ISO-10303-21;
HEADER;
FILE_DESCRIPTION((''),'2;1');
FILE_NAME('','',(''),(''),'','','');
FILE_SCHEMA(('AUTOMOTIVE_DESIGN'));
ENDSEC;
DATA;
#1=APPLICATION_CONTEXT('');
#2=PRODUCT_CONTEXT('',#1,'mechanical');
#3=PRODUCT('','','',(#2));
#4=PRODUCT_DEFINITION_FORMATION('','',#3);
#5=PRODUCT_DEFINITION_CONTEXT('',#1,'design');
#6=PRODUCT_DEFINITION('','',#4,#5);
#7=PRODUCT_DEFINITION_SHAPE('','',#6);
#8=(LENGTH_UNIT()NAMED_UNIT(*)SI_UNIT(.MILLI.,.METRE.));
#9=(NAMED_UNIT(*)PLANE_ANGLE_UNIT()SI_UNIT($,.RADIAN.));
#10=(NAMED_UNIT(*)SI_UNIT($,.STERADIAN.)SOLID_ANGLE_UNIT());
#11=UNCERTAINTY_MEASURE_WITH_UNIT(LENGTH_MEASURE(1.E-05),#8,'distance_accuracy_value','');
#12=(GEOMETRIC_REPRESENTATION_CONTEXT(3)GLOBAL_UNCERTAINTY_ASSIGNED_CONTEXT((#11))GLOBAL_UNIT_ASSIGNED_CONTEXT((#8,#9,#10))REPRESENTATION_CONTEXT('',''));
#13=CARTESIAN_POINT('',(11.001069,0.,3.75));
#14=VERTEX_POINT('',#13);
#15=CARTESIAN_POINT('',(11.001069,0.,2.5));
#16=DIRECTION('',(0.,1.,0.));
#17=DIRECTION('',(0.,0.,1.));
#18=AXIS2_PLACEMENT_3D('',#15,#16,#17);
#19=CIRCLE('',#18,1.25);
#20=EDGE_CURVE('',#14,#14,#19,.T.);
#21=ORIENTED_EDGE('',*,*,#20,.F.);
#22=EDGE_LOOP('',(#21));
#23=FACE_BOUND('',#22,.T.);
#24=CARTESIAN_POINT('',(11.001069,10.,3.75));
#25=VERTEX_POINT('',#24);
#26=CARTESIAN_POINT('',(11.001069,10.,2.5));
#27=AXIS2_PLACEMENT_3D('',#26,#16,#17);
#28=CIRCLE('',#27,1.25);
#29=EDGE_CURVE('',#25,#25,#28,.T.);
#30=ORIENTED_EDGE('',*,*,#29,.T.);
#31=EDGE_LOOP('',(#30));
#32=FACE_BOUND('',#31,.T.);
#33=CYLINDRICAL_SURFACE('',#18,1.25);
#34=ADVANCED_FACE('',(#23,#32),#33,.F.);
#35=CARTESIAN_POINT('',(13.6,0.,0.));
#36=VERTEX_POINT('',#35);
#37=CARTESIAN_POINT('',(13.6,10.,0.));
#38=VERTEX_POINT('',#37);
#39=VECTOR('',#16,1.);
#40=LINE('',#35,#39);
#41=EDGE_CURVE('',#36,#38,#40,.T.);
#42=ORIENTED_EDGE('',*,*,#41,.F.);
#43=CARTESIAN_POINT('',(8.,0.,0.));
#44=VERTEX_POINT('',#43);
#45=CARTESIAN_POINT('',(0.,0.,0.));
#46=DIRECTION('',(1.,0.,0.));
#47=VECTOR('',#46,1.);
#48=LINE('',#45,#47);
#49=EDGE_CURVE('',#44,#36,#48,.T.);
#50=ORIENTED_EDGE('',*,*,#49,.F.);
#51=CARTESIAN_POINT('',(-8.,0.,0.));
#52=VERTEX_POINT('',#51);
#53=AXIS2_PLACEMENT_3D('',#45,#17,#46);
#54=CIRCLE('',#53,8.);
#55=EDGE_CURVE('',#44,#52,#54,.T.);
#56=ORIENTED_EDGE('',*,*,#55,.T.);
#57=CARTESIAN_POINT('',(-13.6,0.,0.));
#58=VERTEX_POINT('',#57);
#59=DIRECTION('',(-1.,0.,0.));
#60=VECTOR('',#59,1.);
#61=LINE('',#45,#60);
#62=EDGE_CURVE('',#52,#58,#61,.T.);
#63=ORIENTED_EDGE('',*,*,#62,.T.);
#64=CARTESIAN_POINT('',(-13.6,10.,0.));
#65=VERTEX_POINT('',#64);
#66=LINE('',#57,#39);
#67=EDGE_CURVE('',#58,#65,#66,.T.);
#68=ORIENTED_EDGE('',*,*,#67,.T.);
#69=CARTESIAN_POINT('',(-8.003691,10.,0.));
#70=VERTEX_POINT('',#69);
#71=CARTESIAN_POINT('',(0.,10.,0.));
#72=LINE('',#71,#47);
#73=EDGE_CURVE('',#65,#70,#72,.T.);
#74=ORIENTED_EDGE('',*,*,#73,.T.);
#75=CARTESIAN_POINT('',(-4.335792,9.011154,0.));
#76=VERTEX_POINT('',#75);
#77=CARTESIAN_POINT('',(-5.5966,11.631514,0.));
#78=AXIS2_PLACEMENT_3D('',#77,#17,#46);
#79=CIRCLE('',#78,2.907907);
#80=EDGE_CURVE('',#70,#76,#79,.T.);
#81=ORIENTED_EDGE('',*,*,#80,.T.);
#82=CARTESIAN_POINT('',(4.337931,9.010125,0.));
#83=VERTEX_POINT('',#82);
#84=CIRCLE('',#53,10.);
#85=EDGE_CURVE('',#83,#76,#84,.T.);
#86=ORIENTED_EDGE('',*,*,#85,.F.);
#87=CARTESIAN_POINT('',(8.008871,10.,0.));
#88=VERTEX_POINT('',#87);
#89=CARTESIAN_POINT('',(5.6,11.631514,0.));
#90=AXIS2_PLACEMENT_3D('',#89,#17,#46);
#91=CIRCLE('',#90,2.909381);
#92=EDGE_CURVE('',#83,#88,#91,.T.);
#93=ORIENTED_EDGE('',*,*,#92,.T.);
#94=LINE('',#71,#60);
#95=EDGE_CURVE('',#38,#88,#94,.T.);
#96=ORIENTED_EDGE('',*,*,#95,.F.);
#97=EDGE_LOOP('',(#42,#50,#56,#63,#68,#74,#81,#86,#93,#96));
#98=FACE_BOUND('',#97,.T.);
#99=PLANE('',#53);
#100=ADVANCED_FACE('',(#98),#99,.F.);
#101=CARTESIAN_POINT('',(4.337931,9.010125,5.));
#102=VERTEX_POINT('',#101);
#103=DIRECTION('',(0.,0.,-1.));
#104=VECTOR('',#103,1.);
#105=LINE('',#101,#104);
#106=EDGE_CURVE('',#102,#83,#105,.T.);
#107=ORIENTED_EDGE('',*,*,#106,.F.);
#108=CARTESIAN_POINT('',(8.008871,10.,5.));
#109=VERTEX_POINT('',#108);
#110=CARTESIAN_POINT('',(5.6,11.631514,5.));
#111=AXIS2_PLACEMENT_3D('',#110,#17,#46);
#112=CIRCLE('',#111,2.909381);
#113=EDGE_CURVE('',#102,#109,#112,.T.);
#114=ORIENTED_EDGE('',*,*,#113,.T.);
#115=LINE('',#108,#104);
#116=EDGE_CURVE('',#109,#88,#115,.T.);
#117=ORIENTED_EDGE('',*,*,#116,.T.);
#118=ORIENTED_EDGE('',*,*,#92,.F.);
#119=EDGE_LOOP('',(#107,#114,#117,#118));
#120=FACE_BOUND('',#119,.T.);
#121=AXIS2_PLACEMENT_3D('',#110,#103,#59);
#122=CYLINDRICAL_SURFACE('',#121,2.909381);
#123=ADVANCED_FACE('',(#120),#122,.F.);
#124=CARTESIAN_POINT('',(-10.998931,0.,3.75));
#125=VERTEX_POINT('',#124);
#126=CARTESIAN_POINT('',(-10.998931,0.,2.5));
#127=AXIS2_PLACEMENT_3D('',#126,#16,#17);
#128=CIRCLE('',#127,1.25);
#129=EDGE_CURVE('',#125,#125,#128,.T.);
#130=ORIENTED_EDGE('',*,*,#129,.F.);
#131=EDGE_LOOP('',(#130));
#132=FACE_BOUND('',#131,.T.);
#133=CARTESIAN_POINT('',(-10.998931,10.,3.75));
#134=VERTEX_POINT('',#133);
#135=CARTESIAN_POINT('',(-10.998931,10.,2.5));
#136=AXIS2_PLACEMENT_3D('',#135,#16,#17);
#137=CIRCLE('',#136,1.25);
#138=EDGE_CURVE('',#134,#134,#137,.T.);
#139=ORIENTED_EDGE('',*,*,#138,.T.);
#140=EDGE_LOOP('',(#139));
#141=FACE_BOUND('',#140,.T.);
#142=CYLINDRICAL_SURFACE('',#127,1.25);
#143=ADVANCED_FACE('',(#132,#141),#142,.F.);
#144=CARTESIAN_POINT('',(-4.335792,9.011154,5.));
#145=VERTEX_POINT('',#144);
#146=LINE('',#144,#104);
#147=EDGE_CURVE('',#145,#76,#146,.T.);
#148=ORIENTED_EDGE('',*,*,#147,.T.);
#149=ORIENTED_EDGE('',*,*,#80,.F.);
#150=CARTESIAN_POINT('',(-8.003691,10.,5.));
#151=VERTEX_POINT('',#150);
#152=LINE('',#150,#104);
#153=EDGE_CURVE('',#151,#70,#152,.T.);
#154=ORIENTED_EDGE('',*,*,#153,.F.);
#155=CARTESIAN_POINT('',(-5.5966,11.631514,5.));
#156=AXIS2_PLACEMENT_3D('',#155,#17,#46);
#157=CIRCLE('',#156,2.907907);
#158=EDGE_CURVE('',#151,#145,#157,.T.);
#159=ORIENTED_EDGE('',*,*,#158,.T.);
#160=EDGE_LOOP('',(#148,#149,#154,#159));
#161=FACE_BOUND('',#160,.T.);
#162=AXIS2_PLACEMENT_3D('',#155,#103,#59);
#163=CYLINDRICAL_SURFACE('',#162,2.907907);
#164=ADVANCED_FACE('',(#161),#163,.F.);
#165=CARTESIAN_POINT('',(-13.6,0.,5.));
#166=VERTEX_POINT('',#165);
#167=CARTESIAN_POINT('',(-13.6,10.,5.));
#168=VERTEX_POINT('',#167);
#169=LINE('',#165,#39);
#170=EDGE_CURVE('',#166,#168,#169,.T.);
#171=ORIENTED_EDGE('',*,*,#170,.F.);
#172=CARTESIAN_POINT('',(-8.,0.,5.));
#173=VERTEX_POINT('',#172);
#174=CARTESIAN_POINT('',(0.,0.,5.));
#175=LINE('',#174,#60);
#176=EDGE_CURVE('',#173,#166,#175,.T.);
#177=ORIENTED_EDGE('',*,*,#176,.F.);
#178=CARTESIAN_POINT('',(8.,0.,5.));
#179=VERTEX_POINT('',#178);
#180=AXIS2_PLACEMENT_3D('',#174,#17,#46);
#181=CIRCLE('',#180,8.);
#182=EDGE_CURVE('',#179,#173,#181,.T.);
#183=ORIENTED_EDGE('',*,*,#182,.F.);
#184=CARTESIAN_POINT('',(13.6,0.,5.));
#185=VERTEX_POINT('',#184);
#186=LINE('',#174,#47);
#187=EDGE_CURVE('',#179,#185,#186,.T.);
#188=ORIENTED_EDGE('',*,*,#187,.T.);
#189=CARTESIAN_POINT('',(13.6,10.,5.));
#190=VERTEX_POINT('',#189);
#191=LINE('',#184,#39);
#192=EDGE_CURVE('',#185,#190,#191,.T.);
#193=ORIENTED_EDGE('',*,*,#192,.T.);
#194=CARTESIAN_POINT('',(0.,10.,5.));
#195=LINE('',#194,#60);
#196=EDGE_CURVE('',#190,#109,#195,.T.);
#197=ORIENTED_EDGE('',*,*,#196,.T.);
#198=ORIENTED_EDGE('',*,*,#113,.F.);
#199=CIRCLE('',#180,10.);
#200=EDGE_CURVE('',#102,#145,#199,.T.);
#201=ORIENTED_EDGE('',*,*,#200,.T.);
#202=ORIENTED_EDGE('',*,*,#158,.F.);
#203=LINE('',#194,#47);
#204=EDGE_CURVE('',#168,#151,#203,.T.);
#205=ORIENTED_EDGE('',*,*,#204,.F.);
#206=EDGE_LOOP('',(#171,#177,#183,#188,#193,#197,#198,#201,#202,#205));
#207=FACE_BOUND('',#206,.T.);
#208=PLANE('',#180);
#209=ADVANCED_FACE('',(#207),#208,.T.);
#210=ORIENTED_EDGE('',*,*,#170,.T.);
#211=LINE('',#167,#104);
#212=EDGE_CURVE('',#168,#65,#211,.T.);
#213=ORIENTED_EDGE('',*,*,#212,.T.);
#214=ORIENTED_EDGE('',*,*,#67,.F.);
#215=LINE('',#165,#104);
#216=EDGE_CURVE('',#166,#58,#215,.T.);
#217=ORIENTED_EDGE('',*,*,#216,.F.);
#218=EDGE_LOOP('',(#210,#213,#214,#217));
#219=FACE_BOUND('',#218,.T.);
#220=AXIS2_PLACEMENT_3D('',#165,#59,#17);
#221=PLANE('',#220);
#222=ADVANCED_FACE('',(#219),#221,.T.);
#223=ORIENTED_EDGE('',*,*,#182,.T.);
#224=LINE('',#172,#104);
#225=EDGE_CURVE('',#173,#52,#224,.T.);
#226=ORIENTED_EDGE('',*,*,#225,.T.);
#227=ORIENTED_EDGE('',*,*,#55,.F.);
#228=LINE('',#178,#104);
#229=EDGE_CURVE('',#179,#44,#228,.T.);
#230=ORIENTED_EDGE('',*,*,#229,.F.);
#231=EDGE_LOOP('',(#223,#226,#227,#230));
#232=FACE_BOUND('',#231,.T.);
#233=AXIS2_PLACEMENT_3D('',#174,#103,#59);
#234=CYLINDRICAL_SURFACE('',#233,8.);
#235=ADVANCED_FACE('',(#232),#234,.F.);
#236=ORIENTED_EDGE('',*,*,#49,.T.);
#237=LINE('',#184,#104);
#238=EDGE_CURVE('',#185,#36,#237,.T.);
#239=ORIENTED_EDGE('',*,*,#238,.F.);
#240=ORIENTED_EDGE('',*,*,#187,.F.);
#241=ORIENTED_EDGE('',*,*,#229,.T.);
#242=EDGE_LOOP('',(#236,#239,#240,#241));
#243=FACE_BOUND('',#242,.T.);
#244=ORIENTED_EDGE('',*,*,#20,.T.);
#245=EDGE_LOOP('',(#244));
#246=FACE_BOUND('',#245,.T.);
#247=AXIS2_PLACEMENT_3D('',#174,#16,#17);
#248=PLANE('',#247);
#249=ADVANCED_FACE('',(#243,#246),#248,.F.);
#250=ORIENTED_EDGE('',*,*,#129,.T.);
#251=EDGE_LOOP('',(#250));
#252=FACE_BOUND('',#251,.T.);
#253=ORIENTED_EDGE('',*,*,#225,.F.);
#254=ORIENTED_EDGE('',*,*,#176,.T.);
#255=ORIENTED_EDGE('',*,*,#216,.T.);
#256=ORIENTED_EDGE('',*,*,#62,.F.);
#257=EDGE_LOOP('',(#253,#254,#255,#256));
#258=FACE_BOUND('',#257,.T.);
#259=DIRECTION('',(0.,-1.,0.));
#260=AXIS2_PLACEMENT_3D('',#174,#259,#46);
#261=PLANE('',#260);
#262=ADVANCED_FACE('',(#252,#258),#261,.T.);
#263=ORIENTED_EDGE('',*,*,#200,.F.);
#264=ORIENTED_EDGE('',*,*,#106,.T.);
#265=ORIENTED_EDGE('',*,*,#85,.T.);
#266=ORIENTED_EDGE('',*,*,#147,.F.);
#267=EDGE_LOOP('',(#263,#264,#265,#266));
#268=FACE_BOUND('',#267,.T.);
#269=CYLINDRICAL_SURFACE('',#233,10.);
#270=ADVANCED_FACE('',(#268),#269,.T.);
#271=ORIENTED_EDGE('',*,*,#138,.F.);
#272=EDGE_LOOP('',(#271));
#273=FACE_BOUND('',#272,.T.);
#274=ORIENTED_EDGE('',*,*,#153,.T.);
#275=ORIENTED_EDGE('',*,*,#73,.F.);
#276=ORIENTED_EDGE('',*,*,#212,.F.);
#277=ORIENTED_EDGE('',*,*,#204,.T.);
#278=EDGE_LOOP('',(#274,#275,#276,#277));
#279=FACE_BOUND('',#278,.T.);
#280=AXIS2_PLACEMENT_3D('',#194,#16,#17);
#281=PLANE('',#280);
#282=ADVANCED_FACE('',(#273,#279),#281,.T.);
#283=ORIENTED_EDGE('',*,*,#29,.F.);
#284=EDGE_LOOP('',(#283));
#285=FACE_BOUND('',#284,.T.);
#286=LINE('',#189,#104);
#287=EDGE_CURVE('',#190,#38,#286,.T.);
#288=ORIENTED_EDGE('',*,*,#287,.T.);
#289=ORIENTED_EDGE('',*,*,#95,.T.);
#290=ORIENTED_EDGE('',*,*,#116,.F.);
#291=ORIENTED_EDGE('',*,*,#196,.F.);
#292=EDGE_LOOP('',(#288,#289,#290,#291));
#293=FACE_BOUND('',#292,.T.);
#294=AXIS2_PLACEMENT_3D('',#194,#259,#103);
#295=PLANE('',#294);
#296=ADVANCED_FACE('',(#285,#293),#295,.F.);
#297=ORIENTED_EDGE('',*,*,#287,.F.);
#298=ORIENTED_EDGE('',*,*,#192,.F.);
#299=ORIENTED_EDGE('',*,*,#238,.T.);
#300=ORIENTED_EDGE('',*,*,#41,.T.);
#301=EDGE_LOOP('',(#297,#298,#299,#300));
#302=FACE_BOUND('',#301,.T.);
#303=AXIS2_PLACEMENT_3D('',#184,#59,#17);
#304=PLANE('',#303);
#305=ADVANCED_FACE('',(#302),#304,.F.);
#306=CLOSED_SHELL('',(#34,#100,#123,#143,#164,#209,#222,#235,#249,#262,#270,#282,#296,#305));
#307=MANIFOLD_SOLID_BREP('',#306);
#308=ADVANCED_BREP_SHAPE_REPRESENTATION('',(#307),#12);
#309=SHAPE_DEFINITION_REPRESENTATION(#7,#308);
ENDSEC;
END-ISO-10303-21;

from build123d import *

# Parameters (mm, degrees)
BOSS_EXTRUDE1_DEPTH = 5
SKETCH3_R           = 1.25
CUT_EXTRUDE1_DEPTH  = 10


with BuildPart() as part:
    # Sketch2 → Boss-Extrude1 (new body)
    with BuildSketch(Plane.XY):
        with BuildLine():
            ThreePointArc((-8, 0), (0, 8), (8, 0))
            Line((8, 0), (13.6, 0))
            Line((13.6, 0), (13.6, 10))
            Line((13.6, 10), (8.008871246, 10))
            ThreePointArc((8.008871246, 10), (6.357463889, 8.822466805), (4.337930538, 9.01012534))
            ThreePointArc((4.337930538, 9.01012534), (0.001186479, 9.99999993), (-4.335792351, 9.011154459))
            ThreePointArc((-4.335792351, 9.011154459), (-6.353531515, 8.82385013), (-8.003690819, 10))
            Line((-8.003690819, 10), (-13.6, 10))
            Line((-13.6, 10), (-13.6, 0))
            Line((-13.6, 0), (-8, 0))
        make_face()
    extrude(amount=BOSS_EXTRUDE1_DEPTH)

    # Sketch3 → Cut-Extrude1 (cut)
    with BuildSketch(Plane(origin=(0, 10, 0), x_dir=(1, 0, 0), z_dir=(0, 1, 0))):
        with Locations(Location((-10.998930891, -2.5, 0), (0, 0, 270))):
            Circle(SKETCH3_R)
        with Locations(Location((11.001069109, -2.5, 0), (0, 0, 270))):
            Circle(SKETCH3_R)
    extrude(amount=-CUT_EXTRUDE1_DEPTH, mode=Mode.SUBTRACT)


solid = part.part
